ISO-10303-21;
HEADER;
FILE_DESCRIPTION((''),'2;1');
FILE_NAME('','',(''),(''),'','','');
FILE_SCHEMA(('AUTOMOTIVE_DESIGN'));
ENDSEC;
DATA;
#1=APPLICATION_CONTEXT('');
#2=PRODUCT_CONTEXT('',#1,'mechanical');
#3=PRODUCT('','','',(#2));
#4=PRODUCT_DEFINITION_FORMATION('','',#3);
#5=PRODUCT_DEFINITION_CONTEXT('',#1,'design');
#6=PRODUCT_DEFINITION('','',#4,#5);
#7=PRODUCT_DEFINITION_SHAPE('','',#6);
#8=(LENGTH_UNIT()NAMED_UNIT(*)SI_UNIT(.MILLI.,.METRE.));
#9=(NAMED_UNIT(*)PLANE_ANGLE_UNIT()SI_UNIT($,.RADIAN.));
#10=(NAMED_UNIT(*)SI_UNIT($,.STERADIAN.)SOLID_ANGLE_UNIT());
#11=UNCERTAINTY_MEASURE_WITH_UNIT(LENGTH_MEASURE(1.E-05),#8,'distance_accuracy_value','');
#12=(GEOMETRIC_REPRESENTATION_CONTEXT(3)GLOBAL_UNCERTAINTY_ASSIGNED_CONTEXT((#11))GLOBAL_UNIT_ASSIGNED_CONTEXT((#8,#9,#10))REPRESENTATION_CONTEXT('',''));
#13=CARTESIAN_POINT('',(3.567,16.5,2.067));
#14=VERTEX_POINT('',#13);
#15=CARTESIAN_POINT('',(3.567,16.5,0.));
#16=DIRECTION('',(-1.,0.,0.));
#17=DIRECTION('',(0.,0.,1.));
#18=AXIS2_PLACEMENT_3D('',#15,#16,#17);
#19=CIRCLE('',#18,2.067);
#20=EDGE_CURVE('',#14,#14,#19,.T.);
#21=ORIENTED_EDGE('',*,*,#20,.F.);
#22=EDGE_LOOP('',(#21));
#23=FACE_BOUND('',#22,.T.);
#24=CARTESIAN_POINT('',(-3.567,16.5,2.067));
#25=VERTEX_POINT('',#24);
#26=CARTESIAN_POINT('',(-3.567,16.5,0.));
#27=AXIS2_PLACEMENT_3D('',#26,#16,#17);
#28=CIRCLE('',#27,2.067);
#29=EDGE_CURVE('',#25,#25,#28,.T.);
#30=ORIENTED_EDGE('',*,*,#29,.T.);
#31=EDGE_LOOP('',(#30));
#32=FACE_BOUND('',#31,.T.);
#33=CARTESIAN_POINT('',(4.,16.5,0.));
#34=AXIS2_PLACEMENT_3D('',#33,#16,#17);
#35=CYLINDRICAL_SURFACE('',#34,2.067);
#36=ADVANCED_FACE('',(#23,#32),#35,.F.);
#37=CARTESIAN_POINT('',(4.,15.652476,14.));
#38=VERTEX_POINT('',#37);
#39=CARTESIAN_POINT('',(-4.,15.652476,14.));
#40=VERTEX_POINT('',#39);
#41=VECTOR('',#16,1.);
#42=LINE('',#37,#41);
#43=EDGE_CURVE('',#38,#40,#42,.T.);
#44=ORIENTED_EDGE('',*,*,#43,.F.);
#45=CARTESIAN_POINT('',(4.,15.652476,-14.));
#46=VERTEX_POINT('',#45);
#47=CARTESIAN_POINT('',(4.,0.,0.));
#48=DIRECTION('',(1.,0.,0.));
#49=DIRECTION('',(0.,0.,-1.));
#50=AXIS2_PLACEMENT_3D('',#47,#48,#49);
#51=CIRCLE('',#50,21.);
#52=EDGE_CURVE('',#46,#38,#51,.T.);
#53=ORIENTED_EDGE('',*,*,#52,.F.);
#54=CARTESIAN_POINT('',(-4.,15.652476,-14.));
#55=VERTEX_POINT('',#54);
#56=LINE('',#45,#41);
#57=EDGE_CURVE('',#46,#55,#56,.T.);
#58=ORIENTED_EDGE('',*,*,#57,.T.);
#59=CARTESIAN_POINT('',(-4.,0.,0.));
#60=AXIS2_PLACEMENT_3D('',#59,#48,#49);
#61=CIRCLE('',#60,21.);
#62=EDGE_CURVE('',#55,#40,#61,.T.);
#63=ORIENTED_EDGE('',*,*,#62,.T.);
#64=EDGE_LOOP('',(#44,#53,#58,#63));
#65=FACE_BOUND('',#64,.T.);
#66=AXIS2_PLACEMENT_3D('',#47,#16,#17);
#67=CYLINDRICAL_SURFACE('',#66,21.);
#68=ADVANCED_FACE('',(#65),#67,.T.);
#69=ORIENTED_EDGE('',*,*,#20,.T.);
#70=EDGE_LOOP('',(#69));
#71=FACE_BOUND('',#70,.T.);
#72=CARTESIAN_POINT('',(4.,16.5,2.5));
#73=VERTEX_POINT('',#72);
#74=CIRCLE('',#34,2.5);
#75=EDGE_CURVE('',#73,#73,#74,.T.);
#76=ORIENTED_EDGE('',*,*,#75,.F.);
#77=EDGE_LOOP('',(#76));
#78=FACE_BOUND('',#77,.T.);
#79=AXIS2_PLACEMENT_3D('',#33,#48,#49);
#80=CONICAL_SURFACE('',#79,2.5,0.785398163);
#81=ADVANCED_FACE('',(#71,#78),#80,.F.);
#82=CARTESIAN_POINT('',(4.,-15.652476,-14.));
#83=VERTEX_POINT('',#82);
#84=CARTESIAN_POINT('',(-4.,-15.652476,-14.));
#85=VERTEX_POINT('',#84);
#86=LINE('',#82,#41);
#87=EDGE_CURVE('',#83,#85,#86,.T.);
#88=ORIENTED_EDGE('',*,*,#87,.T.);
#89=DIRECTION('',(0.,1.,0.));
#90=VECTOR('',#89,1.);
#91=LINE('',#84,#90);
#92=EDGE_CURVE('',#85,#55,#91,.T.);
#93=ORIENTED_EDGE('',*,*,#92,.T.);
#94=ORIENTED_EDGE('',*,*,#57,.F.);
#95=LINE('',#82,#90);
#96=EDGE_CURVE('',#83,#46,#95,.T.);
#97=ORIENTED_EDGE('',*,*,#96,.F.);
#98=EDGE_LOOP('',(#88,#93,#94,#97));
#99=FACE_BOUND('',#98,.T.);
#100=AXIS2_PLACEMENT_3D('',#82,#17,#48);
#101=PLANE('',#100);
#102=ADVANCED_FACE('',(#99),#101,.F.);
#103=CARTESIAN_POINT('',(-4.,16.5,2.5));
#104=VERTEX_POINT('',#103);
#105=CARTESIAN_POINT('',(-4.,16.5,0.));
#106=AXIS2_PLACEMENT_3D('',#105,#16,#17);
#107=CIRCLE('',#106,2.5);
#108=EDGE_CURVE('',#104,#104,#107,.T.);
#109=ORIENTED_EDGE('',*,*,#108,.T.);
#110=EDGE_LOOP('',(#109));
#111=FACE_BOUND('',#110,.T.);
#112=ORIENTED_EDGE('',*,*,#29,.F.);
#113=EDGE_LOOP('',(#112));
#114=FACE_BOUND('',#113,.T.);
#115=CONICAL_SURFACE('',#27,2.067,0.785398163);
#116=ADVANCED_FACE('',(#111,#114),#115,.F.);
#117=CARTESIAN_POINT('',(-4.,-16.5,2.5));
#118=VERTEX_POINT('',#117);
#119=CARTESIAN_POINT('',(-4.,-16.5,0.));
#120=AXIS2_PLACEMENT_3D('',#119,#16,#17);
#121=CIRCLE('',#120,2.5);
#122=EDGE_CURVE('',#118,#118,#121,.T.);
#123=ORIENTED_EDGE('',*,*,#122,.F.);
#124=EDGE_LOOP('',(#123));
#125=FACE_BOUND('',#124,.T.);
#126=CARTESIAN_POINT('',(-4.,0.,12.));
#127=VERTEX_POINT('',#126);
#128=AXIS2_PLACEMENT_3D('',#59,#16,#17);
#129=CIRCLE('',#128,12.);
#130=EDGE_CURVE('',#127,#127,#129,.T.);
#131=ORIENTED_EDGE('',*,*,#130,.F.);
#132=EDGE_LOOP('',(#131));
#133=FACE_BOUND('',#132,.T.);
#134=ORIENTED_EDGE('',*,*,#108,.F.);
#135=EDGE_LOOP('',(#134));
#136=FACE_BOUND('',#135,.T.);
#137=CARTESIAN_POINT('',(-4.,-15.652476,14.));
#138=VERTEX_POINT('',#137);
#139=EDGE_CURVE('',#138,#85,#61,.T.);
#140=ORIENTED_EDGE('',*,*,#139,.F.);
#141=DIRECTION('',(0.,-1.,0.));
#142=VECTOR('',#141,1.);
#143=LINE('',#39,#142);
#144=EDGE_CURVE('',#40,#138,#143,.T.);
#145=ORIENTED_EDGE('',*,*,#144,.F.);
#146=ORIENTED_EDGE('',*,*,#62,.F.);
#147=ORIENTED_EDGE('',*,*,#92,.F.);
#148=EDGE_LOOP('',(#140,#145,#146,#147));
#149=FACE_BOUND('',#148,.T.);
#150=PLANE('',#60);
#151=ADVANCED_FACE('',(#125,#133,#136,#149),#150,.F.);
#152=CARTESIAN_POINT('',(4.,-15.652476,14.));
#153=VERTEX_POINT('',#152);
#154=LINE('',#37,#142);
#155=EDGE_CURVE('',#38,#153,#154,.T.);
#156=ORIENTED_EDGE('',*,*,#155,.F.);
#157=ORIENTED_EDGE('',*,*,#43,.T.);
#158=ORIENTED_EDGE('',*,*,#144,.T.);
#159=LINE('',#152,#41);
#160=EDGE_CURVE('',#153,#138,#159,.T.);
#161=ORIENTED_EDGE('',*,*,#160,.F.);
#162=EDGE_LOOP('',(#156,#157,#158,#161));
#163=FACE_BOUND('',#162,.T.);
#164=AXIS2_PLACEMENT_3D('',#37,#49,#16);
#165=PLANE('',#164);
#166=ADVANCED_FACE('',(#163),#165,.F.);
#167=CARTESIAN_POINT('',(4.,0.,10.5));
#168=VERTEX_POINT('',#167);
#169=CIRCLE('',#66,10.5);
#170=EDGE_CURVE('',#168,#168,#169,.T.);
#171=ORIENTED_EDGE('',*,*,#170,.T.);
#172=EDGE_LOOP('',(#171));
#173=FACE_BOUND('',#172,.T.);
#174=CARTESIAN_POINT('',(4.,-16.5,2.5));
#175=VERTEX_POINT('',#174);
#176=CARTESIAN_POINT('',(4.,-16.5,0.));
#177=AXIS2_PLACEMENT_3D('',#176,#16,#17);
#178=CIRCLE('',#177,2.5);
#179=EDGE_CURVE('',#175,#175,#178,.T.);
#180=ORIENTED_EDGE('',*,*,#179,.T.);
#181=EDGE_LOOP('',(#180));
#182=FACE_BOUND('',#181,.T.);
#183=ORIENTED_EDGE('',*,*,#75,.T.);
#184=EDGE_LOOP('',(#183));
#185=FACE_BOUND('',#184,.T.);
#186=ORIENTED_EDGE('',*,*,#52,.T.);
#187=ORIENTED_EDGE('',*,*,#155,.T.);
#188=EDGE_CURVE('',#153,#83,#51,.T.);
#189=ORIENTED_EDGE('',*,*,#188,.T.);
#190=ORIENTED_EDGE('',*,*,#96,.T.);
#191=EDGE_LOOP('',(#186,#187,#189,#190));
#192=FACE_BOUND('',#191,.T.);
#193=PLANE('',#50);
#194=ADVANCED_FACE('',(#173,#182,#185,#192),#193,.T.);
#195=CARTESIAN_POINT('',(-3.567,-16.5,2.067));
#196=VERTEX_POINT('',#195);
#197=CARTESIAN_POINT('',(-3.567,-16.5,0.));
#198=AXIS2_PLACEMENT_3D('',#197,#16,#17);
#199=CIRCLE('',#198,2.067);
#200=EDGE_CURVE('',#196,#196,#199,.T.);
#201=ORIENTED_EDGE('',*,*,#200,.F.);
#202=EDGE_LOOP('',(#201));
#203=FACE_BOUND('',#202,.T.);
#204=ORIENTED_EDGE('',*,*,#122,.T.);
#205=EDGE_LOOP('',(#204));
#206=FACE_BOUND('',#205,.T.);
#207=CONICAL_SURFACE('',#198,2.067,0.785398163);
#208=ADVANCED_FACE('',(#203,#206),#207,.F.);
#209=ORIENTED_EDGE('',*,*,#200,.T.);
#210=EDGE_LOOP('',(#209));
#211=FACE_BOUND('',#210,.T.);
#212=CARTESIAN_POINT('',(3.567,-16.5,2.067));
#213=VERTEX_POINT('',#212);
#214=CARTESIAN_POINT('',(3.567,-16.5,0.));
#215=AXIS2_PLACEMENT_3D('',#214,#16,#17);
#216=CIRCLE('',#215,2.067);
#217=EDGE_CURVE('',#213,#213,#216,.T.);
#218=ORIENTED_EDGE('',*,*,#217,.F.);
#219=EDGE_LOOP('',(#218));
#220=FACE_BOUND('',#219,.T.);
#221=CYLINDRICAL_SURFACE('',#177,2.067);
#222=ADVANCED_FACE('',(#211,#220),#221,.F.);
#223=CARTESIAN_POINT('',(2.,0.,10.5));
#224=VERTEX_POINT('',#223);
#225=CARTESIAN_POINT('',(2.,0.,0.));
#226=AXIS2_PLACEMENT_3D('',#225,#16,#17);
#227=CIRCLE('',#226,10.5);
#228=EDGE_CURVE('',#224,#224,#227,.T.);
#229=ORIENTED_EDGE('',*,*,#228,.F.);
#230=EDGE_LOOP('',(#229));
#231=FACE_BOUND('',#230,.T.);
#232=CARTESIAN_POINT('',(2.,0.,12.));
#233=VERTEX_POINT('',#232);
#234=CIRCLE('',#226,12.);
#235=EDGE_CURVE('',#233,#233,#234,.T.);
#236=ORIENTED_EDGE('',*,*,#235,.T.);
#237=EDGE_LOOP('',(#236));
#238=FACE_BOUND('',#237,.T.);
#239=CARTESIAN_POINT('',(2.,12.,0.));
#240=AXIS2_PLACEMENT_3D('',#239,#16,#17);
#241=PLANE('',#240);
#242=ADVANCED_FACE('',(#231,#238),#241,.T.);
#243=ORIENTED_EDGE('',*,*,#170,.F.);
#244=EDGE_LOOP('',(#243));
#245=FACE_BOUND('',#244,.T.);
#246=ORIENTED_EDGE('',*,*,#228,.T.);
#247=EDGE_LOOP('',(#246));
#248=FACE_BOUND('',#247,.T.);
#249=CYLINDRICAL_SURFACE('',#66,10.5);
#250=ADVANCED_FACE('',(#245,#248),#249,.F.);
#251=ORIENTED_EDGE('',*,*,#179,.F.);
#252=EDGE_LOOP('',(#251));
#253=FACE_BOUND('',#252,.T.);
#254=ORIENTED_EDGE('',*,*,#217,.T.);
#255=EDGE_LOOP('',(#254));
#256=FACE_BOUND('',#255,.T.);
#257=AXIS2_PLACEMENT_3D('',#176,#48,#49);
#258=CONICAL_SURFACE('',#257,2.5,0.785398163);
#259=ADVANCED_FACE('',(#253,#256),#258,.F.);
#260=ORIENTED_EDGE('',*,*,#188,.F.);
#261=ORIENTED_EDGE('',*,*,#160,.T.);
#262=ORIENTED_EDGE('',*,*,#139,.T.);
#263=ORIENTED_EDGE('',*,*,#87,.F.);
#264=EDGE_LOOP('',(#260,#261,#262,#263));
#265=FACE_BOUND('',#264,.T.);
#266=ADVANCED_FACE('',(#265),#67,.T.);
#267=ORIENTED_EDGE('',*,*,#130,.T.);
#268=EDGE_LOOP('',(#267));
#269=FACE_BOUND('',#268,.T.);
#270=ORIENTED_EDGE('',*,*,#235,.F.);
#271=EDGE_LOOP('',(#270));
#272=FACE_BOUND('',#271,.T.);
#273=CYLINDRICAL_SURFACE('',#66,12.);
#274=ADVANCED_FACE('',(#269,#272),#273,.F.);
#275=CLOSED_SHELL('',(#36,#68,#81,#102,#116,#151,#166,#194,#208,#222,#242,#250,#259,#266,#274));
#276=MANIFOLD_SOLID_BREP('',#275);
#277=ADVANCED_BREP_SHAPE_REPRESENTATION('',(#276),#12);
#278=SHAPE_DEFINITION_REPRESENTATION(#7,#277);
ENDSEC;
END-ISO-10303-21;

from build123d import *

# Parameters (mm, degrees)
BOSS_EXTRUDE1_DEPTH      = 4
BOSS_EXTRUDE1_DEPTH_BACK = 4


with BuildPart() as part:
    # Sketch1 → Boss-Extrude1 (new, two sides: drawn at the far end of the back side and taken through both)
    with BuildSketch(Plane(origin=(0, 0, 0), x_dir=(0, 0, -1), z_dir=(1, 0, 0)).offset(-BOSS_EXTRUDE1_DEPTH_BACK)):
        with BuildLine():
            Line((14, -15.652475842), (14, 15.652475842))
            ThreePointArc((14, 15.652475842), (0, 21), (-14, 15.652475842))
            Line((-14, 15.652475842), (-14, -15.652475842))
            ThreePointArc((-14, -15.652475842), (0, -21), (14, -15.652475842))
        make_face()
    extrude(amount=BOSS_EXTRUDE1_DEPTH + BOSS_EXTRUDE1_DEPTH_BACK)

    # Sketch2 → Cut-Revolve1 (revolve, cut)
    with BuildSketch(Plane.XY):
        Polygon((-4, 0), (-4, 12), (2, 12), (2, 10.5), (4, 10.5), (4, 0), align=None)
    revolve(axis=Axis((4, 0, 0), (-1, 0, 0)), mode=Mode.SUBTRACT)

    # Sketch3 → Cut-Revolve2 (revolve, cut)
    with BuildSketch(Plane.XY):
        Polygon((-4, -16.5), (-4, -14), (-3.567, -14.433), (3.567, -14.433), (4, -14), (4, -16.5), align=None)
    revolve(axis=Axis((4, -16.5, 0), (-1, 0, 0)), mode=Mode.SUBTRACT)

    # Sketch4 → Cut-Revolve3 (revolve, cut)
    with BuildSketch(Plane.XY):
        Polygon((-4, 16.5), (-4, 19), (-3.567, 18.567), (3.567, 18.567), (4, 19), (4, 16.5), align=None)
    revolve(axis=Axis((4, 16.5, 0), (-1, 0, 0)), mode=Mode.SUBTRACT)


solid = part.part
